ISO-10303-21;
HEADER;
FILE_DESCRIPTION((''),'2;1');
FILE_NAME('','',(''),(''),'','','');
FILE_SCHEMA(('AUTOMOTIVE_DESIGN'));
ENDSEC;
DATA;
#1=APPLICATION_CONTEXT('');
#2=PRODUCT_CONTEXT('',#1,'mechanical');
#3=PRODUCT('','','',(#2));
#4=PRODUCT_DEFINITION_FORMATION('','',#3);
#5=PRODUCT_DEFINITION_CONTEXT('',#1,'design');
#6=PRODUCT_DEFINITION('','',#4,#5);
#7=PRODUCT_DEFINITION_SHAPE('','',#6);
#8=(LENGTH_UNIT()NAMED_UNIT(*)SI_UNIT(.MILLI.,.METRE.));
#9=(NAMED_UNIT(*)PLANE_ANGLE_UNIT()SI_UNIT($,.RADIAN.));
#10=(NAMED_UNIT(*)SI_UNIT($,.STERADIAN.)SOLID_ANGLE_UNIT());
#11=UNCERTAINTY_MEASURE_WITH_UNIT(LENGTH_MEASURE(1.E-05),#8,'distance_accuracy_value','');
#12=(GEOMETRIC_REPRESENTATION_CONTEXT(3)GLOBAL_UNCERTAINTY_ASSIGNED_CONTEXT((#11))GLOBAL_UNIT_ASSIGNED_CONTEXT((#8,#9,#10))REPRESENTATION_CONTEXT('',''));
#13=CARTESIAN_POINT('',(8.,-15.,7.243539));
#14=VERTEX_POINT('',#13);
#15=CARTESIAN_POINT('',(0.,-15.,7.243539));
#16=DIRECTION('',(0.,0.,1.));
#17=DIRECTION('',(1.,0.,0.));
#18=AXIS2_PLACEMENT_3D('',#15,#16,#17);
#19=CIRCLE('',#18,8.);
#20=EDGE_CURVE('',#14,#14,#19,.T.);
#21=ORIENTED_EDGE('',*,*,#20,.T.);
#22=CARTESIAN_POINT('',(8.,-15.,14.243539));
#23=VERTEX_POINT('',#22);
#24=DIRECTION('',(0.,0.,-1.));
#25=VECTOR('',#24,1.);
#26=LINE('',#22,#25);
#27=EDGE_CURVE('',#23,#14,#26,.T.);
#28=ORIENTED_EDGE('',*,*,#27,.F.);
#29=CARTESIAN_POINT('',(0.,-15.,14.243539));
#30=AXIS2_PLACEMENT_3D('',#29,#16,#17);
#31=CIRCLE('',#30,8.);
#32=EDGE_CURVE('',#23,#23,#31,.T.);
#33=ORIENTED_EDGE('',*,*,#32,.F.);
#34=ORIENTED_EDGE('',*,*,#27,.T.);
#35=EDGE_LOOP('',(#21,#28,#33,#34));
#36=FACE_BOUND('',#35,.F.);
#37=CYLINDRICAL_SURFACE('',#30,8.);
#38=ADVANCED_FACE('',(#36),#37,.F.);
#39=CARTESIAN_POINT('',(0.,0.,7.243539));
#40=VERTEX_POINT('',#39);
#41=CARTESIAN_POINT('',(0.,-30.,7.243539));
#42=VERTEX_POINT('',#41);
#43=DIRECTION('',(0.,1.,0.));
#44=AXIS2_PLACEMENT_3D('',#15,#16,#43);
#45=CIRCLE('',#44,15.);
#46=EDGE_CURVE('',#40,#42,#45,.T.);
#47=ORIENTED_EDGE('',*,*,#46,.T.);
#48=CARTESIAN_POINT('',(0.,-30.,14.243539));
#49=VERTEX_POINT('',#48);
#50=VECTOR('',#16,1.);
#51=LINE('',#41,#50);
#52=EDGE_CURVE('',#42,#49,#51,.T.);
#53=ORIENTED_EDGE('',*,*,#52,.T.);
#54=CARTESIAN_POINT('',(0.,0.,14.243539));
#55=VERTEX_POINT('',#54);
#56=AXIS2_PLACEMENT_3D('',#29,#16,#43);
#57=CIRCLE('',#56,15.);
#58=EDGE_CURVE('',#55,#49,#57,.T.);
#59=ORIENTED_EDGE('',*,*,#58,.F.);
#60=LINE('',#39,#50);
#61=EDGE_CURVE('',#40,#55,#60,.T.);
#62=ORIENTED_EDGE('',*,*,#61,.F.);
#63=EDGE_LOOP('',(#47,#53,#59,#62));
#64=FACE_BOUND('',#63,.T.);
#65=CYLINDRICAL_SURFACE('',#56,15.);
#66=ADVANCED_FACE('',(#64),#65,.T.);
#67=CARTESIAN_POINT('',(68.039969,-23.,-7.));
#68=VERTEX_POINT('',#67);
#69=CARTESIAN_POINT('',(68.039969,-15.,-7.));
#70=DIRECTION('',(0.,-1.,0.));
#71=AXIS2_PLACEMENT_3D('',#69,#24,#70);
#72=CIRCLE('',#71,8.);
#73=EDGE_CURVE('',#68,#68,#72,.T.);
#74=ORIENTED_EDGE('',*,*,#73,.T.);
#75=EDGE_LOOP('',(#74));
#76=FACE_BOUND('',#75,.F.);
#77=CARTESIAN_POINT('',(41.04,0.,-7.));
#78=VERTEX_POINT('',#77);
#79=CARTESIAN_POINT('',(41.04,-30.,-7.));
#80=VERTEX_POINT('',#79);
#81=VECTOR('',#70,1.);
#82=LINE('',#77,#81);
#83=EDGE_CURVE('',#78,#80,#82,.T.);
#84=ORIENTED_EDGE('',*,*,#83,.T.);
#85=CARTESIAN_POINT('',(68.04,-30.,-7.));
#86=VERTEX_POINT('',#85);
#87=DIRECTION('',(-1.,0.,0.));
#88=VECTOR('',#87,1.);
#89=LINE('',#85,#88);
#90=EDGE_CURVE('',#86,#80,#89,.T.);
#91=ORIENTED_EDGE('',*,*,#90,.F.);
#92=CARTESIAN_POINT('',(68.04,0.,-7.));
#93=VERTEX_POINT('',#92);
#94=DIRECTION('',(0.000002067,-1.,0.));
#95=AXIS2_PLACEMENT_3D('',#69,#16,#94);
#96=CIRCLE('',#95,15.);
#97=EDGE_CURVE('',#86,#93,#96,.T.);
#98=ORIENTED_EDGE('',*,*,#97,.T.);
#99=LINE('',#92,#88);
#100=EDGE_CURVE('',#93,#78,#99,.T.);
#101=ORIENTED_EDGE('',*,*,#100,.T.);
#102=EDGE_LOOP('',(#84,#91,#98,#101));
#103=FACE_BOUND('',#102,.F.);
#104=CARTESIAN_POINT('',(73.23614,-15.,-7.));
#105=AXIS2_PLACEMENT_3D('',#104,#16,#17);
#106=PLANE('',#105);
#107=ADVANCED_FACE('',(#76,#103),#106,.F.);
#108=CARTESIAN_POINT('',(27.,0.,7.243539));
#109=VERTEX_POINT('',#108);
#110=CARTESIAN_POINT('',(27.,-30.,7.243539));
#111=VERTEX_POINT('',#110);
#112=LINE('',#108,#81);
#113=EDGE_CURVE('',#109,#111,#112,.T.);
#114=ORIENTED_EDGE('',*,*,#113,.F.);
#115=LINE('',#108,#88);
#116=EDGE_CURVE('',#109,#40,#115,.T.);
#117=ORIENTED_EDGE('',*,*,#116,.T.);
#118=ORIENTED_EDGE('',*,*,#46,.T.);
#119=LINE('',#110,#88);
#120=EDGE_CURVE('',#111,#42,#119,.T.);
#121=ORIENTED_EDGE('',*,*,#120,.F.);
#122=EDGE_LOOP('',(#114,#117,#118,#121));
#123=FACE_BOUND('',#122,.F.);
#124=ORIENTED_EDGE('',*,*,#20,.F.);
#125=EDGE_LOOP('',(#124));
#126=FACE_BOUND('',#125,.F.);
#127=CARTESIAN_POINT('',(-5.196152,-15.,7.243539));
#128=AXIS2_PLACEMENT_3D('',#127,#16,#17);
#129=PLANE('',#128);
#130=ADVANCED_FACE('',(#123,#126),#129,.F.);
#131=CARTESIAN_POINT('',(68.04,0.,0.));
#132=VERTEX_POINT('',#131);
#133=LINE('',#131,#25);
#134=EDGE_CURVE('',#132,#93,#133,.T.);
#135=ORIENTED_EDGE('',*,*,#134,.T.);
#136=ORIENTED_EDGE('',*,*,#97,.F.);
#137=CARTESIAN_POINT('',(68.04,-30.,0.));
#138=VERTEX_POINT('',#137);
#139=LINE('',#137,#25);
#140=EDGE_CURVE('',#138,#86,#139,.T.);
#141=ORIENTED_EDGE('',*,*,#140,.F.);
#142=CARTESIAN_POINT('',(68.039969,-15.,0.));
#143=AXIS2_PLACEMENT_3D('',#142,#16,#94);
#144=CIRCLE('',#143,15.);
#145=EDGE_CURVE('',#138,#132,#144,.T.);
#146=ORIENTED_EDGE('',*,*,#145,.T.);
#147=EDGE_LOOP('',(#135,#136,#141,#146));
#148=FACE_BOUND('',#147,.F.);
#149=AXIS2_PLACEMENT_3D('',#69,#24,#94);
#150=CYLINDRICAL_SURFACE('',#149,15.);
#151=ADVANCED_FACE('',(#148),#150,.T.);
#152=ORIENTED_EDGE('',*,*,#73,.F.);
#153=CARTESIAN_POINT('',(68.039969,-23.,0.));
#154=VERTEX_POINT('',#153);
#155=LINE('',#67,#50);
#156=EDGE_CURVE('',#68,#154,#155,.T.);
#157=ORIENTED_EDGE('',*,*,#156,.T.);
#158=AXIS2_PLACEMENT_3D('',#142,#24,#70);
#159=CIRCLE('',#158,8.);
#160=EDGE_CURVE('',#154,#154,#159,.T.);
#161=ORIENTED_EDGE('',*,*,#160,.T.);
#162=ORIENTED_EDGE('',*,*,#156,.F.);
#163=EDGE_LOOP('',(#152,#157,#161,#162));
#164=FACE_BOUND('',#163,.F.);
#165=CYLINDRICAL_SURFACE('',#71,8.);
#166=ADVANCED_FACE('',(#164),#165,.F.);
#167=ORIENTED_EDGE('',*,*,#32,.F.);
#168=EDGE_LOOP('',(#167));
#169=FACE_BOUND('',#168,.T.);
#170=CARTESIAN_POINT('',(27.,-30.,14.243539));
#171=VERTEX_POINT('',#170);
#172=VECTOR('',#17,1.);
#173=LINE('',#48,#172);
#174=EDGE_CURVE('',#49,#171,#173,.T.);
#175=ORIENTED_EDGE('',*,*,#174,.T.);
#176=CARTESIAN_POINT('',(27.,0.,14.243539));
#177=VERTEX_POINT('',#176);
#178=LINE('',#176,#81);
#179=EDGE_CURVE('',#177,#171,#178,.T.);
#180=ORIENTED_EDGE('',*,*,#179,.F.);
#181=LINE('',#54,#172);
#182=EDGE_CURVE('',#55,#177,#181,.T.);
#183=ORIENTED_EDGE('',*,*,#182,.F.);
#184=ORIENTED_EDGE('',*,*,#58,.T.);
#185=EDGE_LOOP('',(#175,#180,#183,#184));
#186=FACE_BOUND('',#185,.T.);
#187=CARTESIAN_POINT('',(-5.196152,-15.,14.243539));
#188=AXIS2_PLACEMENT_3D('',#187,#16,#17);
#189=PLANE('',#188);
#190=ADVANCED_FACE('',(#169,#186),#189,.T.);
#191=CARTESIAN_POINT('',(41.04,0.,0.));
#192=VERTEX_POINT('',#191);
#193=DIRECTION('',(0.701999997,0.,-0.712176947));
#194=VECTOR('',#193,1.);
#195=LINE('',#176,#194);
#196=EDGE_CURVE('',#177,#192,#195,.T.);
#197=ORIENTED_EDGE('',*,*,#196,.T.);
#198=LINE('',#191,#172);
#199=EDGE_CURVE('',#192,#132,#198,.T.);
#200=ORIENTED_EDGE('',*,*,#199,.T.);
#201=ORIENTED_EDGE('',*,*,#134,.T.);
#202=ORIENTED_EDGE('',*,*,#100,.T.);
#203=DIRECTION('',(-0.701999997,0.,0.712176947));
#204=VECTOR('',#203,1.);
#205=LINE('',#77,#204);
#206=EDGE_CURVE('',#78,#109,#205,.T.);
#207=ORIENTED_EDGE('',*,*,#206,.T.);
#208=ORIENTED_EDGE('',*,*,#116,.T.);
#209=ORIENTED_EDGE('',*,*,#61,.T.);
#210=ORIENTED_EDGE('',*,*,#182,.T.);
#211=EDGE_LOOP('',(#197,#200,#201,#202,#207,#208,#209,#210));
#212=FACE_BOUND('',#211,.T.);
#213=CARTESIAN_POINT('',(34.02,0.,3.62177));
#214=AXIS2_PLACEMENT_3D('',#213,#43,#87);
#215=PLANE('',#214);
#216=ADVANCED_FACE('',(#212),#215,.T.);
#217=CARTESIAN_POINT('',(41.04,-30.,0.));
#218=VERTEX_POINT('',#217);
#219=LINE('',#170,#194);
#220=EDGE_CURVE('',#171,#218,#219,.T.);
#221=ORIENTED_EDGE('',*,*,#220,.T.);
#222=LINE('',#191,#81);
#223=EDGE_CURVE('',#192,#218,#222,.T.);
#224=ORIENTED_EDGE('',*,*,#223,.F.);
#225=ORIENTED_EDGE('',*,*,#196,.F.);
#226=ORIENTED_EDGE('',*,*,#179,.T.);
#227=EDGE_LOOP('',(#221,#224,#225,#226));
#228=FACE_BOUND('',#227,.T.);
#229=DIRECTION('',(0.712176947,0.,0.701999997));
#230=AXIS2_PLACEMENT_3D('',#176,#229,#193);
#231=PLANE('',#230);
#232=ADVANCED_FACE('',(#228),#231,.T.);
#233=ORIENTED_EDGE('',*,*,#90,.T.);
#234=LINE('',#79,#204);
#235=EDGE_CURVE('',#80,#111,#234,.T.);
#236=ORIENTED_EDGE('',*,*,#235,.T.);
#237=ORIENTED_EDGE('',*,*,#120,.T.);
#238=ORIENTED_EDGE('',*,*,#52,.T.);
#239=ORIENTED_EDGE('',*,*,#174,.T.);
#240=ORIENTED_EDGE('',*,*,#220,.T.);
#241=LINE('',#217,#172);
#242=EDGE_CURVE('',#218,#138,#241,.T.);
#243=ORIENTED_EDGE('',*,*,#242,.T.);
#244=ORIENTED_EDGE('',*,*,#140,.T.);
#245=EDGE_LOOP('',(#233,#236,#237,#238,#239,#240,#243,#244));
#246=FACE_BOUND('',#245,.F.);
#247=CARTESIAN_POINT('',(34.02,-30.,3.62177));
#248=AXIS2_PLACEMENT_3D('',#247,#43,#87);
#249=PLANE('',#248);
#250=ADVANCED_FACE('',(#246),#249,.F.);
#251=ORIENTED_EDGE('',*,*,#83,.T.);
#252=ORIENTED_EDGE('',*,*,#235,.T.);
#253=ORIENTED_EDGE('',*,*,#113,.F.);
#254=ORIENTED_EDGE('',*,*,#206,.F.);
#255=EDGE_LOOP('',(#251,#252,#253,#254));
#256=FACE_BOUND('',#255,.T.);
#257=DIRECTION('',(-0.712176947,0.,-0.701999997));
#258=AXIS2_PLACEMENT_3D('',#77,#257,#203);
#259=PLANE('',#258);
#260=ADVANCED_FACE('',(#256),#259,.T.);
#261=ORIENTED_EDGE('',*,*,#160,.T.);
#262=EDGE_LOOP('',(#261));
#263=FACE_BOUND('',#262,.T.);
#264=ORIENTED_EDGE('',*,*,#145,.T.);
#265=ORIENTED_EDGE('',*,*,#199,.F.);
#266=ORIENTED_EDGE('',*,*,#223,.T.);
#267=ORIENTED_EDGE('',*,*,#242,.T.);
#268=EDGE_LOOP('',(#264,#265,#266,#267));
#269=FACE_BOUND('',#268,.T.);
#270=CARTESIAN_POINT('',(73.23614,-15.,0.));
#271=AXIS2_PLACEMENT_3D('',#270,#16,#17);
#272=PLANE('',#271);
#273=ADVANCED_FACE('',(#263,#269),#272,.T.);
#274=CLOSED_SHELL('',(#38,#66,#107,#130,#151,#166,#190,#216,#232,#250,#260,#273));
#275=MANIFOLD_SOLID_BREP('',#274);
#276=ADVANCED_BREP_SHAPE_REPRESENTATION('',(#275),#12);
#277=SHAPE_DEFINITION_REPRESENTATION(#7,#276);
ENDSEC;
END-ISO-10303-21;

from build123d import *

# Parameters (mm, degrees)
PAD_DEPTH       = 30
PAD001_DEPTH    = 7
PAD002_DEPTH    = 7
SKETCH004_R     = 8
POCKET_DEPTH    = 21.244539
SKETCH006_R     = 8
POCKET001_DEPTH = 21.244539


with BuildPart() as part:
    # Sketch → Pad (new body)
    with BuildSketch(Plane.XZ):
        Polygon((0, 14.243539), (27, 14.243539), (41.04, 0), (68.04, 0), (68.04, -7), (41.04, -7), (27, 7.243539), (0, 7.243539), align=None)
    extrude(amount=PAD_DEPTH)

    # Sketch002 (on DatumPlane) → Pad001 (join)
    with BuildSketch(Plane(origin=(0, -15, 14.243539), x_dir=(1, 0, 0), z_dir=(0, 0, 1))):
        with BuildLine():
            ThreePointArc((0, 15), (-15, 0), (0, -15))
            Line((0, 15), (0, -15))
        make_face()
    extrude(amount=-PAD001_DEPTH)

    # Sketch003 (on DatumPlane) → Pad002 (join)
    with BuildSketch(Plane(origin=(68.04, -15, -7), x_dir=(1, 0, 0), z_dir=(0, 0, 1))):
        with BuildLine():
            ThreePointArc((0, -15), (14.999969, 0), (0, 15))
            Line((0, 15), (0, -15))
        make_face()
    extrude(amount=PAD002_DEPTH)

    # Sketch004 → Pocket (cut, through all)
    with BuildSketch(Plane(origin=(68.039969, -15, -7), x_dir=(0, -1, 0), z_dir=(0, 0, -1))):
        Circle(SKETCH004_R)
    extrude(amount=-POCKET_DEPTH, mode=Mode.SUBTRACT)

    # Sketch006 (on DatumPlane) → Pocket001 (cut, through all)
    with BuildSketch(Plane(origin=(0, -15, 14.243539), x_dir=(1, 0, 0), z_dir=(0, 0, 1))):
        Circle(SKETCH006_R)
    extrude(amount=-POCKET001_DEPTH, mode=Mode.SUBTRACT)


solid = part.part
